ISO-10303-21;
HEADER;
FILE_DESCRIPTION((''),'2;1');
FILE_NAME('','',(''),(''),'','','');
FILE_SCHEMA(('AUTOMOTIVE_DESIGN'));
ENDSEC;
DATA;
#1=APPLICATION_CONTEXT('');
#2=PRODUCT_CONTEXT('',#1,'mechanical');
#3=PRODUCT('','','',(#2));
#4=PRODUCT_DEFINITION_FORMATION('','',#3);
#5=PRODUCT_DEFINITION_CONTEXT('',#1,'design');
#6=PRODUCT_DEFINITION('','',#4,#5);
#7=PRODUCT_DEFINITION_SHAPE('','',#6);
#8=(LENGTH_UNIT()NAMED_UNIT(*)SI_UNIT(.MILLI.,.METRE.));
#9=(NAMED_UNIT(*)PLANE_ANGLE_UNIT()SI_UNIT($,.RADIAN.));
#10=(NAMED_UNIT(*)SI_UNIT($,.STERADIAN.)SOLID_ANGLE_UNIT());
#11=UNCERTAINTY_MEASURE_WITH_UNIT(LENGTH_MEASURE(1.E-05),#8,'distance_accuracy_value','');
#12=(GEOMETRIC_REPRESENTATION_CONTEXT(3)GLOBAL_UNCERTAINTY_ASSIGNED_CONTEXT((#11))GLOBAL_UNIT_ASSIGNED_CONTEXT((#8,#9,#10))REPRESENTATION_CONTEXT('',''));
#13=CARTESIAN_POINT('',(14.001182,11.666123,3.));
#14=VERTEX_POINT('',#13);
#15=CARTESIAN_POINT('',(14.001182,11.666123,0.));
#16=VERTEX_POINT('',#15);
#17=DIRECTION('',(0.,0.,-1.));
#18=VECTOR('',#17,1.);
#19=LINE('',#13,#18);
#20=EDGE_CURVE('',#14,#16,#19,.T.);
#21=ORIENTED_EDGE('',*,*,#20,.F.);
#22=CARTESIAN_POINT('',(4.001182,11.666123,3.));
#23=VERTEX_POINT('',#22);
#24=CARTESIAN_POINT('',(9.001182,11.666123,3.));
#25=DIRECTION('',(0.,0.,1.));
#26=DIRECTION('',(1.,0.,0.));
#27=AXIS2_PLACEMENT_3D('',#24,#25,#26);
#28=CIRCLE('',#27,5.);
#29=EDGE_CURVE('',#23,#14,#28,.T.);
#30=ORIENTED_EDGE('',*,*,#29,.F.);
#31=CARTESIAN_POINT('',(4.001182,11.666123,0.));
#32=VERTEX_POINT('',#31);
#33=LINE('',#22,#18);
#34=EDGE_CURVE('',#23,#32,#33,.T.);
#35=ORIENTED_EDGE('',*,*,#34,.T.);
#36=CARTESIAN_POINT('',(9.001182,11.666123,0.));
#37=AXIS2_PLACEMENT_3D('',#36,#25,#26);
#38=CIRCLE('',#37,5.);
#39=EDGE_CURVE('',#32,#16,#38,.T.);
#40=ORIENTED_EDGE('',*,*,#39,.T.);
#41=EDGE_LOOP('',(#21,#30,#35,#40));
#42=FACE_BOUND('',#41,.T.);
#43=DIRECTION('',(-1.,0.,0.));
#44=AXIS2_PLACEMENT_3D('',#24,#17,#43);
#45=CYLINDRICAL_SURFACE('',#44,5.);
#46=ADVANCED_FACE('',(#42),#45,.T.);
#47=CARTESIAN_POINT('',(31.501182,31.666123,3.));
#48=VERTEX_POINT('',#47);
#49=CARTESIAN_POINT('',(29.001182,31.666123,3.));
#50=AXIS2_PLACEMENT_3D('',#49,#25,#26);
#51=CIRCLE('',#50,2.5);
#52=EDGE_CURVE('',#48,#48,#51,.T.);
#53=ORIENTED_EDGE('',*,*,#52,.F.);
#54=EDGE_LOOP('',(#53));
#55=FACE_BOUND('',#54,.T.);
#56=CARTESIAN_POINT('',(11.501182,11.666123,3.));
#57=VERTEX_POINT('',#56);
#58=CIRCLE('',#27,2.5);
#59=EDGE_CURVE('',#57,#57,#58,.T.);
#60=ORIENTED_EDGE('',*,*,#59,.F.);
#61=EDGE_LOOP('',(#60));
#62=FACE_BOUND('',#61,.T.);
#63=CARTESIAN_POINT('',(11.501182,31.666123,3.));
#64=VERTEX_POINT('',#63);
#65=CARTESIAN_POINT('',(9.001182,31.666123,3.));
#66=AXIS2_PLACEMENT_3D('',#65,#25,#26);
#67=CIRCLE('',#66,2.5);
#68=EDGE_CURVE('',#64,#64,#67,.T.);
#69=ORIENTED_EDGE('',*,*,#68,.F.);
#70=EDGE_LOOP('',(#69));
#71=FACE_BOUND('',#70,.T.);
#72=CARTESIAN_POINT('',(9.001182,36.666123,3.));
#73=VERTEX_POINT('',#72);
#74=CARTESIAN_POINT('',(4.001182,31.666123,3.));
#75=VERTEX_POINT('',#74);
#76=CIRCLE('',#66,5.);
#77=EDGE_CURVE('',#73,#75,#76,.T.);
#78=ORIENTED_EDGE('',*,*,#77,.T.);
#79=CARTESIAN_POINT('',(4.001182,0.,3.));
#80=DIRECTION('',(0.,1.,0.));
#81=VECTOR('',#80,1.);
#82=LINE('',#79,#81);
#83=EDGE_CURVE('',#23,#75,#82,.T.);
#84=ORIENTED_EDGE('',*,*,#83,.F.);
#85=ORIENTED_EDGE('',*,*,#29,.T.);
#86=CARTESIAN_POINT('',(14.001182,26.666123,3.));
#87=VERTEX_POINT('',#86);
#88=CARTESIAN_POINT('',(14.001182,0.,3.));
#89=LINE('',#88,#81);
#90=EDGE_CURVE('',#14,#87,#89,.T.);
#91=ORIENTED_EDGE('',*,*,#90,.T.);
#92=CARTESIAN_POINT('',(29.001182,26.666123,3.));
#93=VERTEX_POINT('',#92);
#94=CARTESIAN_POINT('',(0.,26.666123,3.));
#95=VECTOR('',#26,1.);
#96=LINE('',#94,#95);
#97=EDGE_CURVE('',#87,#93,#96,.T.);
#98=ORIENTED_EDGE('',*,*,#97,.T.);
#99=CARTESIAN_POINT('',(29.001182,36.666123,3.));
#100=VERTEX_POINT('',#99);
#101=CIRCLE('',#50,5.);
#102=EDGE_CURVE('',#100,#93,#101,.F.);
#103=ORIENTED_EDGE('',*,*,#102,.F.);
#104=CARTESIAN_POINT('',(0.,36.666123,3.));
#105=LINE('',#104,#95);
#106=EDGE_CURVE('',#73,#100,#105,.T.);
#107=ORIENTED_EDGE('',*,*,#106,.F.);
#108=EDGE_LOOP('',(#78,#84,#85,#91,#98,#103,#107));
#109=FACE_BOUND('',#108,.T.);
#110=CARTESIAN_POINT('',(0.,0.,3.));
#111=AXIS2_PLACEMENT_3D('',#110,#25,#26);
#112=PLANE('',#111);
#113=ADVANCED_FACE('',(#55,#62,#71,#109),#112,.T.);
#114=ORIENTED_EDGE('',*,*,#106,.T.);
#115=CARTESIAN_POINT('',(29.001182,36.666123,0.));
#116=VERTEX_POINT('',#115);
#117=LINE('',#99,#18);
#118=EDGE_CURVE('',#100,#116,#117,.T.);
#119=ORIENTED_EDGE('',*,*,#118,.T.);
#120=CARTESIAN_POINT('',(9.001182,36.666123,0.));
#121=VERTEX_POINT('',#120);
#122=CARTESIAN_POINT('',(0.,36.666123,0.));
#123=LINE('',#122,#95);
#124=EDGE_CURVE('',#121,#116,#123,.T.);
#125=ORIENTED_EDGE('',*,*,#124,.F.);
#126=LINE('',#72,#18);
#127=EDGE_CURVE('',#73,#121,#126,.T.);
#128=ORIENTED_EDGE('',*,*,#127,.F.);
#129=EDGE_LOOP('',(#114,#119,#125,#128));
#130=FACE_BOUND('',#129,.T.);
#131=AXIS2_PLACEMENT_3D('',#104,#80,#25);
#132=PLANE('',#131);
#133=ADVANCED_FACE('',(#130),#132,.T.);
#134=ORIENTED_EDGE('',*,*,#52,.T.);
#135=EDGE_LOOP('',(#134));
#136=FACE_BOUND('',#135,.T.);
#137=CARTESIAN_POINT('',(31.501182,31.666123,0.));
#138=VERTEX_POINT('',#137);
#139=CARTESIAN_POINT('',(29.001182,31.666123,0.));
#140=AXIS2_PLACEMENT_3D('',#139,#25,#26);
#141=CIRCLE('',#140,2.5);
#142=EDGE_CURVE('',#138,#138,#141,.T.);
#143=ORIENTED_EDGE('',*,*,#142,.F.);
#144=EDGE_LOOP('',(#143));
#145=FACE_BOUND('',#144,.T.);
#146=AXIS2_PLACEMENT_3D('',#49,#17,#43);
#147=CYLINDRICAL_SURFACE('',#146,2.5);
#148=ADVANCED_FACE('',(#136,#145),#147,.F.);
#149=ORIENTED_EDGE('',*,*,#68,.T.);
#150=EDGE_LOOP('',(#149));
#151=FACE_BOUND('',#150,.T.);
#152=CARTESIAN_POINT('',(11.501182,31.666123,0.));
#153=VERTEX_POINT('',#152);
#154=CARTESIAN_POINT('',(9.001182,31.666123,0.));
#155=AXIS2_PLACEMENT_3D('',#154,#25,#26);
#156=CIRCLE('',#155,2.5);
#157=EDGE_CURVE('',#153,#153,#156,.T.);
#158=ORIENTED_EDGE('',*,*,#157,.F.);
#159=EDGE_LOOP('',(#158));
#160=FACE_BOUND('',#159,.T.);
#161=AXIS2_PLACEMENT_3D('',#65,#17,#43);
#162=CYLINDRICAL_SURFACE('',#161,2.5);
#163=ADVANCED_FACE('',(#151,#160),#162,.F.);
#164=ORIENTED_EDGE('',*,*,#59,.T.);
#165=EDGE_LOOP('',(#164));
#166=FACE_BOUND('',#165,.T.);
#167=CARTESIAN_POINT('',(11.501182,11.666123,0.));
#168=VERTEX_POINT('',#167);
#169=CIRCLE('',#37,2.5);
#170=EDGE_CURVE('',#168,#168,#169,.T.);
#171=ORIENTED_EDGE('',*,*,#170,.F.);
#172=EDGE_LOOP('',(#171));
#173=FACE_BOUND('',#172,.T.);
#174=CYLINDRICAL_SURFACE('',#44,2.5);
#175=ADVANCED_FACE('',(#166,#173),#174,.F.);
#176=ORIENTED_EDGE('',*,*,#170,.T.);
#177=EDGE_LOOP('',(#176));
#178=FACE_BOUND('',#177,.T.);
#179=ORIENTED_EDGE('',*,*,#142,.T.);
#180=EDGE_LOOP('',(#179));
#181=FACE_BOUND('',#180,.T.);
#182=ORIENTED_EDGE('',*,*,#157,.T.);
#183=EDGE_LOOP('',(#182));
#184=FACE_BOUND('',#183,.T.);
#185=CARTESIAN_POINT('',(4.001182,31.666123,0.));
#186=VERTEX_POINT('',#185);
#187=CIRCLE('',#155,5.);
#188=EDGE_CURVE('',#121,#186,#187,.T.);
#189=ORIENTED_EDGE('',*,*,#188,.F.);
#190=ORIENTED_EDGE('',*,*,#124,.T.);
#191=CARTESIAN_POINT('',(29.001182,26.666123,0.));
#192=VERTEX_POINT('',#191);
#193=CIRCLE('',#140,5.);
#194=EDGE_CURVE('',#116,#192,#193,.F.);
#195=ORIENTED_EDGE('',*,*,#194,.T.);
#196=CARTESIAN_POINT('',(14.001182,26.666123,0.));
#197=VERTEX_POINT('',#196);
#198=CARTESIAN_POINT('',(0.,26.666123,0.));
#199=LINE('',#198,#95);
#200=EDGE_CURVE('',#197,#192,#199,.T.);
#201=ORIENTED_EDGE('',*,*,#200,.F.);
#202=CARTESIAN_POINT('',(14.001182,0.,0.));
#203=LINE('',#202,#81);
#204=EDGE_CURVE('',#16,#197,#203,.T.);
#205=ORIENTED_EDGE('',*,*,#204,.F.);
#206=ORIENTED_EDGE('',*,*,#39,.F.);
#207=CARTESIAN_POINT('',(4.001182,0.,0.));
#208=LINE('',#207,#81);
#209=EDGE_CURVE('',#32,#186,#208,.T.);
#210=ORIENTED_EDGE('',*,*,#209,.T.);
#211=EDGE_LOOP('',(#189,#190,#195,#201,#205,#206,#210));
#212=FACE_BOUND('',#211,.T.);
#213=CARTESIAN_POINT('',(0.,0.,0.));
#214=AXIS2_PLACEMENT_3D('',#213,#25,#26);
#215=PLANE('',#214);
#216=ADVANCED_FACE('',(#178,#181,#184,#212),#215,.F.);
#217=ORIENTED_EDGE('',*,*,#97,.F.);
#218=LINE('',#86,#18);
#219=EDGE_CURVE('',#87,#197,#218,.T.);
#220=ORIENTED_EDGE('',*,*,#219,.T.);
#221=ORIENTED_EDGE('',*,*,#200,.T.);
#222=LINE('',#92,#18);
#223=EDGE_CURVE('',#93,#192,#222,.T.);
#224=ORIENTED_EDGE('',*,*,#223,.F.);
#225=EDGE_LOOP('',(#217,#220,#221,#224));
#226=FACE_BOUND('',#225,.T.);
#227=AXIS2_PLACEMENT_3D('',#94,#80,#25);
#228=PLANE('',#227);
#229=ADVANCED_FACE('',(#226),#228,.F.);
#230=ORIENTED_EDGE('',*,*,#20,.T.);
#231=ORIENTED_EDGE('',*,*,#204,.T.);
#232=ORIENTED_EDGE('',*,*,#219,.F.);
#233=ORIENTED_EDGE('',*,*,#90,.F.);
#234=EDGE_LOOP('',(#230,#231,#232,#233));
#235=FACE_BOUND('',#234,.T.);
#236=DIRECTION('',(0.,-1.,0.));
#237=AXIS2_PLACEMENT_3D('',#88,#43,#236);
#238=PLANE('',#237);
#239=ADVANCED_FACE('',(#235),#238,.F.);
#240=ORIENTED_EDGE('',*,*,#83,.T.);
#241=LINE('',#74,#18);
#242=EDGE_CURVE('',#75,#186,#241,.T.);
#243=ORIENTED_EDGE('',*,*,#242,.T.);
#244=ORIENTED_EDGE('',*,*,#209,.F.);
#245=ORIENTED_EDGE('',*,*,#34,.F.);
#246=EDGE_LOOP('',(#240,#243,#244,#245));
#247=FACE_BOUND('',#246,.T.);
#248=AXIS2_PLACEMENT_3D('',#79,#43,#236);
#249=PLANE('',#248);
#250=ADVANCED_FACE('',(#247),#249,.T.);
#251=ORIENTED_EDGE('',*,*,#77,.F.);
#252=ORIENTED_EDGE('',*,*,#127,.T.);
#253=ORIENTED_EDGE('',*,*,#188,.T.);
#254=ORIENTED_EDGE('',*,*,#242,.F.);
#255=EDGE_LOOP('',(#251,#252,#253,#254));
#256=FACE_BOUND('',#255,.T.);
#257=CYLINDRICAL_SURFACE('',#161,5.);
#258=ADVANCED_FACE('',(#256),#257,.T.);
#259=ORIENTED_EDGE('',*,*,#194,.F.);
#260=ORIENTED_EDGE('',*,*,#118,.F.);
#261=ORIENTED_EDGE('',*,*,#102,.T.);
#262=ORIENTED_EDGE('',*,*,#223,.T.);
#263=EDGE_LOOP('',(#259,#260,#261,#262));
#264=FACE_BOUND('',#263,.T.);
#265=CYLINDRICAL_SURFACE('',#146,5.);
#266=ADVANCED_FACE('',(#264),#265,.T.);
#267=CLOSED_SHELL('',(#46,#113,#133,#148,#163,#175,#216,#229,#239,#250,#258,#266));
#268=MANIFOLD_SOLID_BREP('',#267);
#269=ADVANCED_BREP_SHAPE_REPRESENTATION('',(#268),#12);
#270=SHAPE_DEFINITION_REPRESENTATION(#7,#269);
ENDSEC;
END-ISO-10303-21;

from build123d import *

# Parameters (mm, degrees)
SKETCH1_R           = 2.5
BOSS_EXTRUDE1_DEPTH = 3


with BuildPart() as part:
    # Sketch1 → Boss-Extrude1 (new body)
    # profile 1 of 4: a face of its own
    with BuildSketch(Plane.XY):
        with BuildLine():
            Line((29.001181793, 36.666122725), (9.001181793, 36.666122725))
            Line((9.001181793, 36.666122725), (9.001181793, 34.166122725))
            ThreePointArc((9.001181793, 34.166122725), (10.768948746, 33.433889678), (11.501181793, 31.666122725))
            Line((11.501181793, 31.666122725), (14.001181793, 31.666122725))
            Line((14.001181793, 31.666122725), (14.001181793, 26.666122725))
            Line((14.001181793, 26.666122725), (29.001181793, 26.666122725))
            ThreePointArc((29.001181793, 26.666122725), (34.001181793, 31.666122725), (29.001181793, 36.666122725))
        make_face()
        with Locations((29.001181793, 31.666122725)):
            Circle(SKETCH1_R, mode=Mode.SUBTRACT)
    # profile 2 of 4: a face of its own
    with BuildSketch(Plane.XY):
        with BuildLine():
            Line((4.001181793, 31.666122725), (4.001181793, 11.666122725))
            ThreePointArc((4.001181793, 11.666122725), (9.001181793, 6.666122725), (14.001181793, 11.666122725))
            Line((14.001181793, 11.666122725), (14.001181793, 26.666122725))
            Line((14.001181793, 26.666122725), (9.001181793, 26.666122725))
            Line((9.001181793, 26.666122725), (9.001181793, 29.166122725))
            ThreePointArc((9.001181793, 29.166122725), (7.23341484, 29.898355772), (6.501181793, 31.666122725))
            Line((6.501181793, 31.666122725), (4.001181793, 31.666122725))
        make_face()
        with Locations((9.001181793, 11.666122725)):
            Circle(SKETCH1_R, mode=Mode.SUBTRACT)
    # profile 3 of 4: a face of its own
    with BuildSketch(Plane.XY):
        with BuildLine():
            Line((9.001181793, 26.666122725), (14.001181793, 26.666122725))
            Line((14.001181793, 26.666122725), (14.001181793, 31.666122725))
            Line((14.001181793, 31.666122725), (11.501181793, 31.666122725))
            ThreePointArc((11.501181793, 31.666122725), (10.768948746, 29.898355772), (9.001181793, 29.166122725))
            Line((9.001181793, 29.166122725), (9.001181793, 26.666122725))
        make_face()
    # profile 4 of 4: a face of its own
    with BuildSketch(Plane.XY):
        with BuildLine():
            ThreePointArc((9.001181793, 36.666122725), (5.465647887, 35.201656631), (4.001181793, 31.666122725))
            Line((4.001181793, 31.666122725), (6.501181793, 31.666122725))
            ThreePointArc((6.501181793, 31.666122725), (7.23341484, 33.433889678), (9.001181793, 34.166122725))
            Line((9.001181793, 34.166122725), (9.001181793, 36.666122725))
        make_face()
    extrude(amount=BOSS_EXTRUDE1_DEPTH)


solid = part.part
